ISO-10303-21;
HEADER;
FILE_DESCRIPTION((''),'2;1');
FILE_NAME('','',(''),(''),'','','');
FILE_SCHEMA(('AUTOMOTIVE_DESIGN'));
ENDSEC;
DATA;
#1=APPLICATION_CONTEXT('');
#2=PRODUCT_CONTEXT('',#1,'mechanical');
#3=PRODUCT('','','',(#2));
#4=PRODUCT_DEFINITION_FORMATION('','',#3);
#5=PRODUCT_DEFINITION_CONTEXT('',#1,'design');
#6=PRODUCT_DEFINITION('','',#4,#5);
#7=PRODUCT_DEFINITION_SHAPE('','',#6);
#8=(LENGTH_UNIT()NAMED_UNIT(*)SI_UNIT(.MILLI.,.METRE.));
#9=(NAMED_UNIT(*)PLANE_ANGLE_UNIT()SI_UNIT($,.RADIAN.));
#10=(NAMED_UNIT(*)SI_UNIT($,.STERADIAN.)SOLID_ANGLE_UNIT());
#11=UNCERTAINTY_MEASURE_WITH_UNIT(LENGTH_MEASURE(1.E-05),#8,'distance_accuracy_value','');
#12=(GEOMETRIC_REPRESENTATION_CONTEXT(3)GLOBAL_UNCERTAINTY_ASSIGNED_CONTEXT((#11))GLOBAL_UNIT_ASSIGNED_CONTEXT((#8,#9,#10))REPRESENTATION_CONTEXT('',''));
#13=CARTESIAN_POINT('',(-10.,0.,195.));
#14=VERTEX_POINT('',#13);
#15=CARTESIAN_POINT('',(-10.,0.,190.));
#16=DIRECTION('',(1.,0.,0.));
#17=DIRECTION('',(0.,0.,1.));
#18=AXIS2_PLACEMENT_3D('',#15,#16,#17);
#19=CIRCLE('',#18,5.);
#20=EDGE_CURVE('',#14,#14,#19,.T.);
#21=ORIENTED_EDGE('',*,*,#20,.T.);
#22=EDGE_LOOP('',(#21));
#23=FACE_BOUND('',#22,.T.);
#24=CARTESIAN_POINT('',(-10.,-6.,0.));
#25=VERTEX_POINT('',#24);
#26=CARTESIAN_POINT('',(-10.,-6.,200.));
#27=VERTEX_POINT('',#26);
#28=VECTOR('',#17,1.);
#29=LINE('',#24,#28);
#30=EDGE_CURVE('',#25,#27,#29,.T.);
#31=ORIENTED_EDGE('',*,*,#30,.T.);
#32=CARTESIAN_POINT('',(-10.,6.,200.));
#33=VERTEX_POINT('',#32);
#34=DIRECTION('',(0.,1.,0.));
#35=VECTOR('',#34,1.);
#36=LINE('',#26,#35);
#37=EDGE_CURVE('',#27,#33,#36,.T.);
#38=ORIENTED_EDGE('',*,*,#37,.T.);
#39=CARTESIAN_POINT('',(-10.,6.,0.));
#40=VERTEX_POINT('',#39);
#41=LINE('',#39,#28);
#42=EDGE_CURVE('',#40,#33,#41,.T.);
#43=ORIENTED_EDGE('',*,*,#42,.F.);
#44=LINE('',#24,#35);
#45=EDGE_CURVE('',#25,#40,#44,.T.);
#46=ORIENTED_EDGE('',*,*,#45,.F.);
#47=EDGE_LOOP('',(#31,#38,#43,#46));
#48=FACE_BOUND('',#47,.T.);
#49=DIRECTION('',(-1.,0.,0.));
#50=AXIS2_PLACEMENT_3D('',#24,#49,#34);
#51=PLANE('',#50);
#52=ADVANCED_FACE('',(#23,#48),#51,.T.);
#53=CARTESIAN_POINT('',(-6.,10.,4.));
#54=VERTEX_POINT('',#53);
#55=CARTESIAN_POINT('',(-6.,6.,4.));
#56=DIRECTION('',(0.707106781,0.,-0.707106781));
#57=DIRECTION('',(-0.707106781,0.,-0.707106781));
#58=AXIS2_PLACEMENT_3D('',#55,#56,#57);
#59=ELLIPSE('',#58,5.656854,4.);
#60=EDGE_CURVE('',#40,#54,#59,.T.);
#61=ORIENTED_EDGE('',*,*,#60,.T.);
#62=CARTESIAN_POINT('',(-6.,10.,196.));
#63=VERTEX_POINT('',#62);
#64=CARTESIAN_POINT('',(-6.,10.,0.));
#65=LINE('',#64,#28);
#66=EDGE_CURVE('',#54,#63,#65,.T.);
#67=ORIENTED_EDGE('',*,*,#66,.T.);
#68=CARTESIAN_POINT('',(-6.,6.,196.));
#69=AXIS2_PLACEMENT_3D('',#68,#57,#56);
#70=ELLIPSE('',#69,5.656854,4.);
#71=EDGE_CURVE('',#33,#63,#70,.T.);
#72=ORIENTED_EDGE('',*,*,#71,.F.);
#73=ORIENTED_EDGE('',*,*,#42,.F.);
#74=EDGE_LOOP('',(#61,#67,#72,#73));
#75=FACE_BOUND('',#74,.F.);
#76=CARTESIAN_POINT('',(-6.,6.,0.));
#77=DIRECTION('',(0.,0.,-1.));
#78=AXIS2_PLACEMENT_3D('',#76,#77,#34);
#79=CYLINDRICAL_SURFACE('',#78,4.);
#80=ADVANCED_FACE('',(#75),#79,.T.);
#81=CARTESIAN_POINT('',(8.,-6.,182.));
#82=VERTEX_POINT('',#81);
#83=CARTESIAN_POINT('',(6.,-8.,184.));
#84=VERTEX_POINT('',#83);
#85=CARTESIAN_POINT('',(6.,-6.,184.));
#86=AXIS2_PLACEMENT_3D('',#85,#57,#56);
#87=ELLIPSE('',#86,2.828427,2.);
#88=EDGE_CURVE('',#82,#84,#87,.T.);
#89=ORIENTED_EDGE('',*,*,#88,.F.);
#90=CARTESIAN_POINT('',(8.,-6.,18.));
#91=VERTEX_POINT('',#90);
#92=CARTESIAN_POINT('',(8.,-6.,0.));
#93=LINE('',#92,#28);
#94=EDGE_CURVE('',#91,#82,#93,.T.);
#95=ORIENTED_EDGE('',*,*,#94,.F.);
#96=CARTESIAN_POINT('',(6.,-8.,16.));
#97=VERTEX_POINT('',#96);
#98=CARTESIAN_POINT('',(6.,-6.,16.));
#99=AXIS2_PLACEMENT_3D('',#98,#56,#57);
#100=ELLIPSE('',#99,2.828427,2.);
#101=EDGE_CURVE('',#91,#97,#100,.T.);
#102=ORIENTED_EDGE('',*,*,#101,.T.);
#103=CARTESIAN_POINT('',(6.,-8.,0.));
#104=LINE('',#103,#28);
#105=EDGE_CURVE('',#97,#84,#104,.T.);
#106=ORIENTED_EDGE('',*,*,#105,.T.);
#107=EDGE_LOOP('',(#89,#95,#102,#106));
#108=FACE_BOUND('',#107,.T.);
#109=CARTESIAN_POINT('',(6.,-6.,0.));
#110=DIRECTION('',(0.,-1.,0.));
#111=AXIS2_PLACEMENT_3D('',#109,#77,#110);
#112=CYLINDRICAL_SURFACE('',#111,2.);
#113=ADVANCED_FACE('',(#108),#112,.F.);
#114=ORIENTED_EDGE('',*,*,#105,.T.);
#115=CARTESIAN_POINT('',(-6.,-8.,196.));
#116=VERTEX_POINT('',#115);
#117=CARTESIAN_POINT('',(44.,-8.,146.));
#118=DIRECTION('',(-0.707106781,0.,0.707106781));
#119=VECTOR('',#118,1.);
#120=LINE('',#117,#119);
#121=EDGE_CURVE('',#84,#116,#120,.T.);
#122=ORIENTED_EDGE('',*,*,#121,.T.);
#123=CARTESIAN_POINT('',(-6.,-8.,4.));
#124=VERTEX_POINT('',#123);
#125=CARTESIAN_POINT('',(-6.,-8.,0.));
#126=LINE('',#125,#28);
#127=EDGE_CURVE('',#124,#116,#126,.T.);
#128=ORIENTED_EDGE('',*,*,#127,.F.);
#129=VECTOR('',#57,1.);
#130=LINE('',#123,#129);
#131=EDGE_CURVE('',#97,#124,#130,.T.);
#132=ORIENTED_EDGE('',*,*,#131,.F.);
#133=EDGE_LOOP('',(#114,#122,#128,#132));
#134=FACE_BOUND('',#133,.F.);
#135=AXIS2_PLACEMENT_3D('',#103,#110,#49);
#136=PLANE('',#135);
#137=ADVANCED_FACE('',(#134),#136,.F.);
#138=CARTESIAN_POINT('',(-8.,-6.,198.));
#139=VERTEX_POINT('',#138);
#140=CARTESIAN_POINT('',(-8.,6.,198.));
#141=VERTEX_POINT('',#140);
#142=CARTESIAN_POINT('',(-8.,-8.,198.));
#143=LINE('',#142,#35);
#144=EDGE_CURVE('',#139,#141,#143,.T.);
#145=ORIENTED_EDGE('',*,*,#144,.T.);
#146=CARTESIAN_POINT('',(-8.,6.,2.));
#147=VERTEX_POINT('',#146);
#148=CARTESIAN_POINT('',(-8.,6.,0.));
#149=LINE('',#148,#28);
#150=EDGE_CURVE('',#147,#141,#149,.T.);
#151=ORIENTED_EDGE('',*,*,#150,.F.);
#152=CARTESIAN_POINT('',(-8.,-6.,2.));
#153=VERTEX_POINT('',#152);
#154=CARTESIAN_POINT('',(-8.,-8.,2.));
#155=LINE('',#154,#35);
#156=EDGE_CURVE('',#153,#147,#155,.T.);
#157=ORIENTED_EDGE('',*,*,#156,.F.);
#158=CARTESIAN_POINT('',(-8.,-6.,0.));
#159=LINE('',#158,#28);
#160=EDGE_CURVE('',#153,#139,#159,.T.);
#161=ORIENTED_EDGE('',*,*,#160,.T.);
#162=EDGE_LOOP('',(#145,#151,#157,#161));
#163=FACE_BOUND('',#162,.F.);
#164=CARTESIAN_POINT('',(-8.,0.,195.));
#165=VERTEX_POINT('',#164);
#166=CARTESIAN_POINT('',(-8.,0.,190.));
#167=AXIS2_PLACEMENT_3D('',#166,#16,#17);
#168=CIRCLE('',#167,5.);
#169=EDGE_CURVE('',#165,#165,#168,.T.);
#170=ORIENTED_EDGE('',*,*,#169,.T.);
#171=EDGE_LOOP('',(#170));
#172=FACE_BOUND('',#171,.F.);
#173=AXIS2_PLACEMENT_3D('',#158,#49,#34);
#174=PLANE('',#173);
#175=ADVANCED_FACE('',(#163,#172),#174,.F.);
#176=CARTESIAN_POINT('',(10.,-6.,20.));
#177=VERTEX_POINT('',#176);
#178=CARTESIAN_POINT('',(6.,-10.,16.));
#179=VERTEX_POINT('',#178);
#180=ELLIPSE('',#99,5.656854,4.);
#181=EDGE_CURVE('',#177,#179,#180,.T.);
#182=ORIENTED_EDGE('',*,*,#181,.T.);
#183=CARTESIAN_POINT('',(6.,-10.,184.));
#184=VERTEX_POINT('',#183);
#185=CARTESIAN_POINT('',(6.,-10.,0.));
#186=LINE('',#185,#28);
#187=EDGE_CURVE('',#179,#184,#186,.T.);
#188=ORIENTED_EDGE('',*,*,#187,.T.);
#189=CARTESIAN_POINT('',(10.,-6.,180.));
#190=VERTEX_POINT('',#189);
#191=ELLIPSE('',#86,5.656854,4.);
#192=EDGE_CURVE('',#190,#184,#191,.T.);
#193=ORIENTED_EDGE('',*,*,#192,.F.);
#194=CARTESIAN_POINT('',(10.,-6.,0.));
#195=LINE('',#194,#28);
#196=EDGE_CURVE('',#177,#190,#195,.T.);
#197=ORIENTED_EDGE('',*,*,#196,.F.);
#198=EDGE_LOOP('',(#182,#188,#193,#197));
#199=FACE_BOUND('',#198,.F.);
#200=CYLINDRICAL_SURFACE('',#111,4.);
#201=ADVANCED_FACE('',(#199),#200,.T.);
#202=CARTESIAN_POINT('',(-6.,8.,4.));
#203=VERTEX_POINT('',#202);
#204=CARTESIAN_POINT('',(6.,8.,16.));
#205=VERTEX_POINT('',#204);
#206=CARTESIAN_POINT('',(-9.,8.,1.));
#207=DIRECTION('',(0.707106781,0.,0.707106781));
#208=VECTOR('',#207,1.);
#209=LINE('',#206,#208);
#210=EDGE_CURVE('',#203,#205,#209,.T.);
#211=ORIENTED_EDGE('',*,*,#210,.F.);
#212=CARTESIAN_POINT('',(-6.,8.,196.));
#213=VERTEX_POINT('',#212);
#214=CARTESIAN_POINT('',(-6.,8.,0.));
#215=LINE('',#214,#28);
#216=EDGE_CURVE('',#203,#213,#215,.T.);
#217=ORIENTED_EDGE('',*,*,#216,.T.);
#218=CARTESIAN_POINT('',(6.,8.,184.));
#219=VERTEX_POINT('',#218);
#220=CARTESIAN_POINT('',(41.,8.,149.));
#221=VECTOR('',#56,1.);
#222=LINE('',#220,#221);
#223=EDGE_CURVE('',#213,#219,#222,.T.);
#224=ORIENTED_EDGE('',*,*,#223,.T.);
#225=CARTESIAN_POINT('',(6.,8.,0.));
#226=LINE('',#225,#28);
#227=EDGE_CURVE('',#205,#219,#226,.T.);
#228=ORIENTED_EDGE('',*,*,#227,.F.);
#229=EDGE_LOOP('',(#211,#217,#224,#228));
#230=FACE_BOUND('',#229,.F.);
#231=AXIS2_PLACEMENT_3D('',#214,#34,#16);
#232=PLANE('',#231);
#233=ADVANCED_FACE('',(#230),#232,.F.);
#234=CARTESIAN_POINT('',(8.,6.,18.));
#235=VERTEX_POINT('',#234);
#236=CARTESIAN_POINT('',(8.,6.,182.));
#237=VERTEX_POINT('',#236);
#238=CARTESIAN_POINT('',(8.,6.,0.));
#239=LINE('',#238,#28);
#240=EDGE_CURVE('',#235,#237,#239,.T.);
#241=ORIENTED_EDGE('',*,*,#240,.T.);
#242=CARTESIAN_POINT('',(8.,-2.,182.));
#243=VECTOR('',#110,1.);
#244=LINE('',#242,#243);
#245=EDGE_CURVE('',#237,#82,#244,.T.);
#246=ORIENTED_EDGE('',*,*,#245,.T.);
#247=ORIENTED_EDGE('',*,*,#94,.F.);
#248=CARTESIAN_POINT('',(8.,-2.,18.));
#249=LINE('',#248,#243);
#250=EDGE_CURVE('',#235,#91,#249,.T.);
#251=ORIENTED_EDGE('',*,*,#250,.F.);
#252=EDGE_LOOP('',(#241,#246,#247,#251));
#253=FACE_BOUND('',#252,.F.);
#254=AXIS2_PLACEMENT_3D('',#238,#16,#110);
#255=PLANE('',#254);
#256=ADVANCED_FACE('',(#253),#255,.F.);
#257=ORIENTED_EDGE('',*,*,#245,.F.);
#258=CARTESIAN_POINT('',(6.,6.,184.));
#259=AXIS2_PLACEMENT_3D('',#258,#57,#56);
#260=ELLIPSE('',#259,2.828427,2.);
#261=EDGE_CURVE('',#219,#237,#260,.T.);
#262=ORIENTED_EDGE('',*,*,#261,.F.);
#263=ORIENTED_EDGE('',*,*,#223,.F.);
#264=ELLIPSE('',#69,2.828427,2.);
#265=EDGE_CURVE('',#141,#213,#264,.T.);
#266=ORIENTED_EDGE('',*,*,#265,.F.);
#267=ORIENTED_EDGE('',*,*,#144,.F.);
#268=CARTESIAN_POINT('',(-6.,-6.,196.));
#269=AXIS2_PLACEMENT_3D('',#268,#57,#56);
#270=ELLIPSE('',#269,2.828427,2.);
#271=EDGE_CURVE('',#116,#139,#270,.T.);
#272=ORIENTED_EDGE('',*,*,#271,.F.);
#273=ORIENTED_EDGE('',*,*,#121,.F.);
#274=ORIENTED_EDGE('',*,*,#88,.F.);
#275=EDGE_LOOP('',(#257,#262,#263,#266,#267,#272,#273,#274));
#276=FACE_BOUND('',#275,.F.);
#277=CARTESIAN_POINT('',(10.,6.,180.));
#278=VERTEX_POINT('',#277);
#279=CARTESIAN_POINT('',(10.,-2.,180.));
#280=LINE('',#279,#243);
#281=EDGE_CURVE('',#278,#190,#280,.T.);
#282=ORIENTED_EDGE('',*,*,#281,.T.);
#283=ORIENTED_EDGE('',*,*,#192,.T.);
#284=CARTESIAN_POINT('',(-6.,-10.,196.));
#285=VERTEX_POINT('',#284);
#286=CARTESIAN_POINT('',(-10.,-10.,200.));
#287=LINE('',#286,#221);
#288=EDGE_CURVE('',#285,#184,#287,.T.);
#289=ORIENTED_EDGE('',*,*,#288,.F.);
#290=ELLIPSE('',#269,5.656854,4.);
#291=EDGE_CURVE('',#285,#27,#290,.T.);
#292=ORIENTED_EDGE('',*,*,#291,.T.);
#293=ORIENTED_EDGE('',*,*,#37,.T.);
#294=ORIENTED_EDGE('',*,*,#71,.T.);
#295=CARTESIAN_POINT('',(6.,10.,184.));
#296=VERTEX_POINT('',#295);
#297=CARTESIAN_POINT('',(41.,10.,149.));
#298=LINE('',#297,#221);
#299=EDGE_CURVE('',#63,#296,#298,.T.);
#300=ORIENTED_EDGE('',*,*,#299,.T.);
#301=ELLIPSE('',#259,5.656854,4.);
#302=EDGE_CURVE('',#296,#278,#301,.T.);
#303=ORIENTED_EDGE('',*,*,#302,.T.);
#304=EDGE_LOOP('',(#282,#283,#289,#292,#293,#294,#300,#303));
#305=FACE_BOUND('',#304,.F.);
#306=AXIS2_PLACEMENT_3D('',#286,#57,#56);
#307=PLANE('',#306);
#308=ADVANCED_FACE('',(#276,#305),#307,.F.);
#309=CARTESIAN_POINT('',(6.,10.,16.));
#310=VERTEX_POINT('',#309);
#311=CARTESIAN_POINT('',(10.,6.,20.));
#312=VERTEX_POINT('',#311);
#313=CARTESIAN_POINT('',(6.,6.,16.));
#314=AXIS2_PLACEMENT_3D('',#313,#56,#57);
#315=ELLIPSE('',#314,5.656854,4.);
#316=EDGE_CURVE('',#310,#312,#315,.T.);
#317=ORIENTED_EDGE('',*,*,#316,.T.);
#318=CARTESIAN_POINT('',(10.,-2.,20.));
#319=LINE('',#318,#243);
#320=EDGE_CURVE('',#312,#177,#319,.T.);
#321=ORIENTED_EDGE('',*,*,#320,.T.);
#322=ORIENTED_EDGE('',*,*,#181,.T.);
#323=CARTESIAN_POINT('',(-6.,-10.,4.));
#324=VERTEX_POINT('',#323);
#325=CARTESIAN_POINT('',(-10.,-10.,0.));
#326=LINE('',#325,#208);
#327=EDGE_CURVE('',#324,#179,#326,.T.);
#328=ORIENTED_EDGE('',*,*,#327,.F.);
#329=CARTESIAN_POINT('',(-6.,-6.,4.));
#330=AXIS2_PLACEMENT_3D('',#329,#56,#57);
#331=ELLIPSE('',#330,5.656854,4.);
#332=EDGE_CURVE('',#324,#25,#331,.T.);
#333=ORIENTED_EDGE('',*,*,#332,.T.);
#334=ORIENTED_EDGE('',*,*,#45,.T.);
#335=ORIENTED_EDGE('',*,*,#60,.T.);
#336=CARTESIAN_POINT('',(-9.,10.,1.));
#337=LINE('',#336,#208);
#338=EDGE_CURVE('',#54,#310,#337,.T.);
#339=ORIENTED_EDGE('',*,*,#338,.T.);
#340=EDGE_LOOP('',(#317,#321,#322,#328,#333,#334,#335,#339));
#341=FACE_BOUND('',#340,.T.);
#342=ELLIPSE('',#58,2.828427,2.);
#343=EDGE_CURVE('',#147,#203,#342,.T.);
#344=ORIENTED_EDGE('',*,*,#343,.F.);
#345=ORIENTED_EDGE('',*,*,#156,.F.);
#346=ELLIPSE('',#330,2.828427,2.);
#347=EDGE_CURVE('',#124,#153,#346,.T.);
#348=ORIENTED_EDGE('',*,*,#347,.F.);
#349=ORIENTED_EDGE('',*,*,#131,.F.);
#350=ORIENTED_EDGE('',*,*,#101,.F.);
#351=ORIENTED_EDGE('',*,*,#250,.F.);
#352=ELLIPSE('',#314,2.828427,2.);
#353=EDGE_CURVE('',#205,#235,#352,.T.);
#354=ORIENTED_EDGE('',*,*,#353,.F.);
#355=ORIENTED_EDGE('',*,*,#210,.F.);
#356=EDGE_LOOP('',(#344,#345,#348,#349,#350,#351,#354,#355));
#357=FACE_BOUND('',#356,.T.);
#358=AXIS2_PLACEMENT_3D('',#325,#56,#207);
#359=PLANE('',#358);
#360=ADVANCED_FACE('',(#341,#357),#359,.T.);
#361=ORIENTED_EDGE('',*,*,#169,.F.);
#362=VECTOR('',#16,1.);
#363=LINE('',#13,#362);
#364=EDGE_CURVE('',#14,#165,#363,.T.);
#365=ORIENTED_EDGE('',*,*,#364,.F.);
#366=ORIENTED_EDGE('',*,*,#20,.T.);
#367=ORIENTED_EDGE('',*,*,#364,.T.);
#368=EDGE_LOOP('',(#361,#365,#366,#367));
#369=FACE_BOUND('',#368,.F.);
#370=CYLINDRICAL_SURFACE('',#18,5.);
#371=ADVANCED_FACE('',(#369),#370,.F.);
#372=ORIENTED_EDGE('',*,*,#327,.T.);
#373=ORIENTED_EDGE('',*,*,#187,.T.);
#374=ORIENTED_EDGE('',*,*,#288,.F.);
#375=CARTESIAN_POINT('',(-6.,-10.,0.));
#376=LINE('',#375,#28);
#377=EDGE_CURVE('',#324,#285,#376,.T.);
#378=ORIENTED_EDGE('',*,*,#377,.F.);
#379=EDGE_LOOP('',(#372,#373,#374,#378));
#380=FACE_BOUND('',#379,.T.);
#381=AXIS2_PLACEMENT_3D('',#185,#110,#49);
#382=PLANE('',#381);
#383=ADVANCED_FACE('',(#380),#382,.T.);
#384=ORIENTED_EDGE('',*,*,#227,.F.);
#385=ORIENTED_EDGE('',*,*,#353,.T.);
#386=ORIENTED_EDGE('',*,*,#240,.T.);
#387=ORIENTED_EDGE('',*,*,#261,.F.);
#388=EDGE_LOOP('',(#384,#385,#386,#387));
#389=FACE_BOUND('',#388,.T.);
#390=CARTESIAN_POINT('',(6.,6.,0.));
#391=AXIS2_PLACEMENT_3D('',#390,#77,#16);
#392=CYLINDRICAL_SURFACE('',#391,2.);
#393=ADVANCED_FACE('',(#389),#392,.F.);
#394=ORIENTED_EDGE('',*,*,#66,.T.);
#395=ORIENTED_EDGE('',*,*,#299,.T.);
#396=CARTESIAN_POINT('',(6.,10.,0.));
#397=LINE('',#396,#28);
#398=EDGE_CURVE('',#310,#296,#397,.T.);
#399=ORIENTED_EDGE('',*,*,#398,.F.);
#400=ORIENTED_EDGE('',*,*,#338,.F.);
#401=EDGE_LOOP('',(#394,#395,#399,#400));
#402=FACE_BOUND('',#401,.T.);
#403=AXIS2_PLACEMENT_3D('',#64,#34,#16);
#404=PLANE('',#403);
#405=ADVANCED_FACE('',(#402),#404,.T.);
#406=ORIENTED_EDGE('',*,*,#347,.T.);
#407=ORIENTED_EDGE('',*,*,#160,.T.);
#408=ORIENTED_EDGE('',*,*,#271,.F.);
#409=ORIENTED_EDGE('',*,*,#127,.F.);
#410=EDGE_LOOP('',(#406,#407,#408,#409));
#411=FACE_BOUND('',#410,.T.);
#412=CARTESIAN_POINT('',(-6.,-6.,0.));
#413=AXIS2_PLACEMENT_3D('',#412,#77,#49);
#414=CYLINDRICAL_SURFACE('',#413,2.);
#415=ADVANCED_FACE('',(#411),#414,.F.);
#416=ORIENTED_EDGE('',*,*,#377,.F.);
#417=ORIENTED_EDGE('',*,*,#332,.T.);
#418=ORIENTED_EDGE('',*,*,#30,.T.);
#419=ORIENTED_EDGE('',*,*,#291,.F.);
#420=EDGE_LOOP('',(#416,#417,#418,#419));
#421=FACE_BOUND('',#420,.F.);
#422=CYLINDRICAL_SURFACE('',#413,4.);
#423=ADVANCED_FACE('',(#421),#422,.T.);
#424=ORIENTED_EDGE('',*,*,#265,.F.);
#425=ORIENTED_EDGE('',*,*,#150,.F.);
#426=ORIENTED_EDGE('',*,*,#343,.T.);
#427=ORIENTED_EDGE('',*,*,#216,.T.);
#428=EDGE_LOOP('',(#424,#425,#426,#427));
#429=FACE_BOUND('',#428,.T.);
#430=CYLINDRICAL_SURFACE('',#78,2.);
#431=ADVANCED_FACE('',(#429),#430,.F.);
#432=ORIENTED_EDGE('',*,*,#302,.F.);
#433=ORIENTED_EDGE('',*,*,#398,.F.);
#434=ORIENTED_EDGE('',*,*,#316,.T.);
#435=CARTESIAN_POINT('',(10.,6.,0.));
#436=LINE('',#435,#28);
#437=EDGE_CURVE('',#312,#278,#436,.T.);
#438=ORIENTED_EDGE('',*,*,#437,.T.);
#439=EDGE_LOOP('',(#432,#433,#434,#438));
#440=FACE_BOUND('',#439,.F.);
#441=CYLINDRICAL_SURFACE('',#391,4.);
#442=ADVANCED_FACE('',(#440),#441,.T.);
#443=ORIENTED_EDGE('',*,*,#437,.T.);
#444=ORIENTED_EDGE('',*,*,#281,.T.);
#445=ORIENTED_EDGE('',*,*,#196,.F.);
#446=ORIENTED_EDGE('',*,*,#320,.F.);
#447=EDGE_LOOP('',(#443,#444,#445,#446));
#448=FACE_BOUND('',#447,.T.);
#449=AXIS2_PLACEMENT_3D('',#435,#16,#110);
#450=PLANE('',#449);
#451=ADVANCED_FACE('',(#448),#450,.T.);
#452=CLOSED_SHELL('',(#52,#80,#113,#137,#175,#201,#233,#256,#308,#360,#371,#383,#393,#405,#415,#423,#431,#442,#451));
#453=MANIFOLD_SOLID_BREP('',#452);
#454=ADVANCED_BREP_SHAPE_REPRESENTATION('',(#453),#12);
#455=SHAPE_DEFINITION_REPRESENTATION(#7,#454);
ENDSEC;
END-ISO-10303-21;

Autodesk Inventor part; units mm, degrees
ref_plane "YZ Plane" through (0, 0, 0) normal (1, 0, 0) x (0, 1, 0)
ref_plane "Piano iniziale" through (0, 0, 0) normal (0, 0, 1) x (1, 0, 0)
ref_plane "Piano finale" through (0, 0, 200) normal (0, 0, 1) x (1, 0, 0)
sketch "Schizzo" plane through (0, 0, 0) normal (0, 0, 1) x (1, 0, 0)
  line L0 (-10, -6) -> (-10, 6)
  line L1 (-6, 10) -> (6, 10)
  line L2 (10, 6) -> (10, -6)
  line L3 (6, -10) -> (-6, -10)
  arc A0 (-10, -6) -> (-6, -10) centre (-6, -6) ccw
  arc A1 (10, 6) -> (6, 10) centre (6, 6) ccw
  arc A2 (-6, 10) -> (-10, 6) centre (-6, 6) ccw
  arc A3 (6, -10) -> (10, -6) centre (6, -6) ccw
  arc A4 (-6, 8) -> (-8, 6) centre (-6, 6) ccw
  line L4 (-6, 8) -> (6, 8)
  arc A5 (8, 6) -> (6, 8) centre (6, 6) ccw
  line L5 (8, 6) -> (8, -6)
  arc A6 (6, -8) -> (8, -6) centre (6, -6) ccw
  line L6 (6, -8) -> (-6, -8)
  arc A7 (-8, -6) -> (-6, -8) centre (-6, -6) ccw
  line L7 (-8, -6) -> (-8, 6)
  line L8 (0, 15.1598) -> (0, -15.1598) construction
  line L9 (-15.1598, 0) -> (15.1598, 0) construction
  dimension "d7" = 4
  dimension "d9" = 20
  dimension "d11" = 20
  dimension "d12" = 2
  dimension "d15" = 10
  dimension "d16" = 10
extrude "Corpo" add sketch "Schizzo" along normal up to surface (200 mm away) from surface at 0
sketch "Sketch3" plane through (0, 0, 0) normal (0, 0, 1) x (1, 0, 0)
  line L0 (0, 0) -> (10, 0)
ref_plane "Work Plane3" through (0, 0, 0) normal (0, -1, 0) x (1, 0, 0)
sketch "Sketch4" plane through (0, 0, 0) normal (0, -1, 0) x (1, 0, 0)
  line L0 (-2, 0) -> (12, 0)
  line L1 (-2, 200) -> (12, 200)
  dimension "d18" = 200
sketch "Schizzo5" plane through (-6, -10, 0) normal (0, -1, 0) x (1, 0, 0)
  line L0 (-4, 0) -> (0, 0) projected
  line L1 (-4, 0) -> (27.2685, 31.2685)
  line L2 (-4, 0) -> (40.2203, 0) construction
  line L3 (27.2685, 31.2685) -> (27.2685, 0)
  line L4 (27.2685, 0) -> (-4, 0)
  line L5 (-4, 200) -> (31.4981, 164.5019)
  line L6 (-4, 200) -> (46.2019, 200) construction
  line L7 (31.4981, 164.5019) -> (31.4981, 200)
  line L8 (31.4981, 200) -> (-4, 200)
  point P0 (6, 0)
  dimension "d19" = 45
  dimension "d20" = 45
extrude "Estrusione2" cut sketch "Schizzo5" against normal up to next
sketch "Schizzo6" plane through (-10, 6, 0) normal (-1, 0, 0) x (0, 0, 1)
  line L0 (0, -12) -> (0, 0) projected
  line L1 (200, -12) -> (200, 0) projected
  point P0 (0, -6)
  point P1 (190, -6)
  point P2 (0, -6)
  dimension "d23" = 10
hole "Foro1" at (-10, 0, 190) direction (1, 0, 0) diameter 10 end through all
equation "\"d7\" = G_IR"
equation "\"d9\" = G_W"
equation "\"d11\" = G_H"
equation "\"d12\" = G_T"
equation "\"d15\" = 0.5 * d9"
equation "\"d16\" = 0.5 * d11"
equation "\"d3\" = G_L"
equation "\"G_W\" = 20"
equation "\"G_H\" = 20"
equation "\"G_T\" = 2"
equation "\"G_IR\" = 4"
equation "\"G_L\" = d18"
equation "\"G_OFFSET_START\" = 0"
equation "\"G_OFFSET_END\" = 0"
properties part number "ISO 10799-2 - 20x20x2 - 200" material "Acciaio, Dolce"
